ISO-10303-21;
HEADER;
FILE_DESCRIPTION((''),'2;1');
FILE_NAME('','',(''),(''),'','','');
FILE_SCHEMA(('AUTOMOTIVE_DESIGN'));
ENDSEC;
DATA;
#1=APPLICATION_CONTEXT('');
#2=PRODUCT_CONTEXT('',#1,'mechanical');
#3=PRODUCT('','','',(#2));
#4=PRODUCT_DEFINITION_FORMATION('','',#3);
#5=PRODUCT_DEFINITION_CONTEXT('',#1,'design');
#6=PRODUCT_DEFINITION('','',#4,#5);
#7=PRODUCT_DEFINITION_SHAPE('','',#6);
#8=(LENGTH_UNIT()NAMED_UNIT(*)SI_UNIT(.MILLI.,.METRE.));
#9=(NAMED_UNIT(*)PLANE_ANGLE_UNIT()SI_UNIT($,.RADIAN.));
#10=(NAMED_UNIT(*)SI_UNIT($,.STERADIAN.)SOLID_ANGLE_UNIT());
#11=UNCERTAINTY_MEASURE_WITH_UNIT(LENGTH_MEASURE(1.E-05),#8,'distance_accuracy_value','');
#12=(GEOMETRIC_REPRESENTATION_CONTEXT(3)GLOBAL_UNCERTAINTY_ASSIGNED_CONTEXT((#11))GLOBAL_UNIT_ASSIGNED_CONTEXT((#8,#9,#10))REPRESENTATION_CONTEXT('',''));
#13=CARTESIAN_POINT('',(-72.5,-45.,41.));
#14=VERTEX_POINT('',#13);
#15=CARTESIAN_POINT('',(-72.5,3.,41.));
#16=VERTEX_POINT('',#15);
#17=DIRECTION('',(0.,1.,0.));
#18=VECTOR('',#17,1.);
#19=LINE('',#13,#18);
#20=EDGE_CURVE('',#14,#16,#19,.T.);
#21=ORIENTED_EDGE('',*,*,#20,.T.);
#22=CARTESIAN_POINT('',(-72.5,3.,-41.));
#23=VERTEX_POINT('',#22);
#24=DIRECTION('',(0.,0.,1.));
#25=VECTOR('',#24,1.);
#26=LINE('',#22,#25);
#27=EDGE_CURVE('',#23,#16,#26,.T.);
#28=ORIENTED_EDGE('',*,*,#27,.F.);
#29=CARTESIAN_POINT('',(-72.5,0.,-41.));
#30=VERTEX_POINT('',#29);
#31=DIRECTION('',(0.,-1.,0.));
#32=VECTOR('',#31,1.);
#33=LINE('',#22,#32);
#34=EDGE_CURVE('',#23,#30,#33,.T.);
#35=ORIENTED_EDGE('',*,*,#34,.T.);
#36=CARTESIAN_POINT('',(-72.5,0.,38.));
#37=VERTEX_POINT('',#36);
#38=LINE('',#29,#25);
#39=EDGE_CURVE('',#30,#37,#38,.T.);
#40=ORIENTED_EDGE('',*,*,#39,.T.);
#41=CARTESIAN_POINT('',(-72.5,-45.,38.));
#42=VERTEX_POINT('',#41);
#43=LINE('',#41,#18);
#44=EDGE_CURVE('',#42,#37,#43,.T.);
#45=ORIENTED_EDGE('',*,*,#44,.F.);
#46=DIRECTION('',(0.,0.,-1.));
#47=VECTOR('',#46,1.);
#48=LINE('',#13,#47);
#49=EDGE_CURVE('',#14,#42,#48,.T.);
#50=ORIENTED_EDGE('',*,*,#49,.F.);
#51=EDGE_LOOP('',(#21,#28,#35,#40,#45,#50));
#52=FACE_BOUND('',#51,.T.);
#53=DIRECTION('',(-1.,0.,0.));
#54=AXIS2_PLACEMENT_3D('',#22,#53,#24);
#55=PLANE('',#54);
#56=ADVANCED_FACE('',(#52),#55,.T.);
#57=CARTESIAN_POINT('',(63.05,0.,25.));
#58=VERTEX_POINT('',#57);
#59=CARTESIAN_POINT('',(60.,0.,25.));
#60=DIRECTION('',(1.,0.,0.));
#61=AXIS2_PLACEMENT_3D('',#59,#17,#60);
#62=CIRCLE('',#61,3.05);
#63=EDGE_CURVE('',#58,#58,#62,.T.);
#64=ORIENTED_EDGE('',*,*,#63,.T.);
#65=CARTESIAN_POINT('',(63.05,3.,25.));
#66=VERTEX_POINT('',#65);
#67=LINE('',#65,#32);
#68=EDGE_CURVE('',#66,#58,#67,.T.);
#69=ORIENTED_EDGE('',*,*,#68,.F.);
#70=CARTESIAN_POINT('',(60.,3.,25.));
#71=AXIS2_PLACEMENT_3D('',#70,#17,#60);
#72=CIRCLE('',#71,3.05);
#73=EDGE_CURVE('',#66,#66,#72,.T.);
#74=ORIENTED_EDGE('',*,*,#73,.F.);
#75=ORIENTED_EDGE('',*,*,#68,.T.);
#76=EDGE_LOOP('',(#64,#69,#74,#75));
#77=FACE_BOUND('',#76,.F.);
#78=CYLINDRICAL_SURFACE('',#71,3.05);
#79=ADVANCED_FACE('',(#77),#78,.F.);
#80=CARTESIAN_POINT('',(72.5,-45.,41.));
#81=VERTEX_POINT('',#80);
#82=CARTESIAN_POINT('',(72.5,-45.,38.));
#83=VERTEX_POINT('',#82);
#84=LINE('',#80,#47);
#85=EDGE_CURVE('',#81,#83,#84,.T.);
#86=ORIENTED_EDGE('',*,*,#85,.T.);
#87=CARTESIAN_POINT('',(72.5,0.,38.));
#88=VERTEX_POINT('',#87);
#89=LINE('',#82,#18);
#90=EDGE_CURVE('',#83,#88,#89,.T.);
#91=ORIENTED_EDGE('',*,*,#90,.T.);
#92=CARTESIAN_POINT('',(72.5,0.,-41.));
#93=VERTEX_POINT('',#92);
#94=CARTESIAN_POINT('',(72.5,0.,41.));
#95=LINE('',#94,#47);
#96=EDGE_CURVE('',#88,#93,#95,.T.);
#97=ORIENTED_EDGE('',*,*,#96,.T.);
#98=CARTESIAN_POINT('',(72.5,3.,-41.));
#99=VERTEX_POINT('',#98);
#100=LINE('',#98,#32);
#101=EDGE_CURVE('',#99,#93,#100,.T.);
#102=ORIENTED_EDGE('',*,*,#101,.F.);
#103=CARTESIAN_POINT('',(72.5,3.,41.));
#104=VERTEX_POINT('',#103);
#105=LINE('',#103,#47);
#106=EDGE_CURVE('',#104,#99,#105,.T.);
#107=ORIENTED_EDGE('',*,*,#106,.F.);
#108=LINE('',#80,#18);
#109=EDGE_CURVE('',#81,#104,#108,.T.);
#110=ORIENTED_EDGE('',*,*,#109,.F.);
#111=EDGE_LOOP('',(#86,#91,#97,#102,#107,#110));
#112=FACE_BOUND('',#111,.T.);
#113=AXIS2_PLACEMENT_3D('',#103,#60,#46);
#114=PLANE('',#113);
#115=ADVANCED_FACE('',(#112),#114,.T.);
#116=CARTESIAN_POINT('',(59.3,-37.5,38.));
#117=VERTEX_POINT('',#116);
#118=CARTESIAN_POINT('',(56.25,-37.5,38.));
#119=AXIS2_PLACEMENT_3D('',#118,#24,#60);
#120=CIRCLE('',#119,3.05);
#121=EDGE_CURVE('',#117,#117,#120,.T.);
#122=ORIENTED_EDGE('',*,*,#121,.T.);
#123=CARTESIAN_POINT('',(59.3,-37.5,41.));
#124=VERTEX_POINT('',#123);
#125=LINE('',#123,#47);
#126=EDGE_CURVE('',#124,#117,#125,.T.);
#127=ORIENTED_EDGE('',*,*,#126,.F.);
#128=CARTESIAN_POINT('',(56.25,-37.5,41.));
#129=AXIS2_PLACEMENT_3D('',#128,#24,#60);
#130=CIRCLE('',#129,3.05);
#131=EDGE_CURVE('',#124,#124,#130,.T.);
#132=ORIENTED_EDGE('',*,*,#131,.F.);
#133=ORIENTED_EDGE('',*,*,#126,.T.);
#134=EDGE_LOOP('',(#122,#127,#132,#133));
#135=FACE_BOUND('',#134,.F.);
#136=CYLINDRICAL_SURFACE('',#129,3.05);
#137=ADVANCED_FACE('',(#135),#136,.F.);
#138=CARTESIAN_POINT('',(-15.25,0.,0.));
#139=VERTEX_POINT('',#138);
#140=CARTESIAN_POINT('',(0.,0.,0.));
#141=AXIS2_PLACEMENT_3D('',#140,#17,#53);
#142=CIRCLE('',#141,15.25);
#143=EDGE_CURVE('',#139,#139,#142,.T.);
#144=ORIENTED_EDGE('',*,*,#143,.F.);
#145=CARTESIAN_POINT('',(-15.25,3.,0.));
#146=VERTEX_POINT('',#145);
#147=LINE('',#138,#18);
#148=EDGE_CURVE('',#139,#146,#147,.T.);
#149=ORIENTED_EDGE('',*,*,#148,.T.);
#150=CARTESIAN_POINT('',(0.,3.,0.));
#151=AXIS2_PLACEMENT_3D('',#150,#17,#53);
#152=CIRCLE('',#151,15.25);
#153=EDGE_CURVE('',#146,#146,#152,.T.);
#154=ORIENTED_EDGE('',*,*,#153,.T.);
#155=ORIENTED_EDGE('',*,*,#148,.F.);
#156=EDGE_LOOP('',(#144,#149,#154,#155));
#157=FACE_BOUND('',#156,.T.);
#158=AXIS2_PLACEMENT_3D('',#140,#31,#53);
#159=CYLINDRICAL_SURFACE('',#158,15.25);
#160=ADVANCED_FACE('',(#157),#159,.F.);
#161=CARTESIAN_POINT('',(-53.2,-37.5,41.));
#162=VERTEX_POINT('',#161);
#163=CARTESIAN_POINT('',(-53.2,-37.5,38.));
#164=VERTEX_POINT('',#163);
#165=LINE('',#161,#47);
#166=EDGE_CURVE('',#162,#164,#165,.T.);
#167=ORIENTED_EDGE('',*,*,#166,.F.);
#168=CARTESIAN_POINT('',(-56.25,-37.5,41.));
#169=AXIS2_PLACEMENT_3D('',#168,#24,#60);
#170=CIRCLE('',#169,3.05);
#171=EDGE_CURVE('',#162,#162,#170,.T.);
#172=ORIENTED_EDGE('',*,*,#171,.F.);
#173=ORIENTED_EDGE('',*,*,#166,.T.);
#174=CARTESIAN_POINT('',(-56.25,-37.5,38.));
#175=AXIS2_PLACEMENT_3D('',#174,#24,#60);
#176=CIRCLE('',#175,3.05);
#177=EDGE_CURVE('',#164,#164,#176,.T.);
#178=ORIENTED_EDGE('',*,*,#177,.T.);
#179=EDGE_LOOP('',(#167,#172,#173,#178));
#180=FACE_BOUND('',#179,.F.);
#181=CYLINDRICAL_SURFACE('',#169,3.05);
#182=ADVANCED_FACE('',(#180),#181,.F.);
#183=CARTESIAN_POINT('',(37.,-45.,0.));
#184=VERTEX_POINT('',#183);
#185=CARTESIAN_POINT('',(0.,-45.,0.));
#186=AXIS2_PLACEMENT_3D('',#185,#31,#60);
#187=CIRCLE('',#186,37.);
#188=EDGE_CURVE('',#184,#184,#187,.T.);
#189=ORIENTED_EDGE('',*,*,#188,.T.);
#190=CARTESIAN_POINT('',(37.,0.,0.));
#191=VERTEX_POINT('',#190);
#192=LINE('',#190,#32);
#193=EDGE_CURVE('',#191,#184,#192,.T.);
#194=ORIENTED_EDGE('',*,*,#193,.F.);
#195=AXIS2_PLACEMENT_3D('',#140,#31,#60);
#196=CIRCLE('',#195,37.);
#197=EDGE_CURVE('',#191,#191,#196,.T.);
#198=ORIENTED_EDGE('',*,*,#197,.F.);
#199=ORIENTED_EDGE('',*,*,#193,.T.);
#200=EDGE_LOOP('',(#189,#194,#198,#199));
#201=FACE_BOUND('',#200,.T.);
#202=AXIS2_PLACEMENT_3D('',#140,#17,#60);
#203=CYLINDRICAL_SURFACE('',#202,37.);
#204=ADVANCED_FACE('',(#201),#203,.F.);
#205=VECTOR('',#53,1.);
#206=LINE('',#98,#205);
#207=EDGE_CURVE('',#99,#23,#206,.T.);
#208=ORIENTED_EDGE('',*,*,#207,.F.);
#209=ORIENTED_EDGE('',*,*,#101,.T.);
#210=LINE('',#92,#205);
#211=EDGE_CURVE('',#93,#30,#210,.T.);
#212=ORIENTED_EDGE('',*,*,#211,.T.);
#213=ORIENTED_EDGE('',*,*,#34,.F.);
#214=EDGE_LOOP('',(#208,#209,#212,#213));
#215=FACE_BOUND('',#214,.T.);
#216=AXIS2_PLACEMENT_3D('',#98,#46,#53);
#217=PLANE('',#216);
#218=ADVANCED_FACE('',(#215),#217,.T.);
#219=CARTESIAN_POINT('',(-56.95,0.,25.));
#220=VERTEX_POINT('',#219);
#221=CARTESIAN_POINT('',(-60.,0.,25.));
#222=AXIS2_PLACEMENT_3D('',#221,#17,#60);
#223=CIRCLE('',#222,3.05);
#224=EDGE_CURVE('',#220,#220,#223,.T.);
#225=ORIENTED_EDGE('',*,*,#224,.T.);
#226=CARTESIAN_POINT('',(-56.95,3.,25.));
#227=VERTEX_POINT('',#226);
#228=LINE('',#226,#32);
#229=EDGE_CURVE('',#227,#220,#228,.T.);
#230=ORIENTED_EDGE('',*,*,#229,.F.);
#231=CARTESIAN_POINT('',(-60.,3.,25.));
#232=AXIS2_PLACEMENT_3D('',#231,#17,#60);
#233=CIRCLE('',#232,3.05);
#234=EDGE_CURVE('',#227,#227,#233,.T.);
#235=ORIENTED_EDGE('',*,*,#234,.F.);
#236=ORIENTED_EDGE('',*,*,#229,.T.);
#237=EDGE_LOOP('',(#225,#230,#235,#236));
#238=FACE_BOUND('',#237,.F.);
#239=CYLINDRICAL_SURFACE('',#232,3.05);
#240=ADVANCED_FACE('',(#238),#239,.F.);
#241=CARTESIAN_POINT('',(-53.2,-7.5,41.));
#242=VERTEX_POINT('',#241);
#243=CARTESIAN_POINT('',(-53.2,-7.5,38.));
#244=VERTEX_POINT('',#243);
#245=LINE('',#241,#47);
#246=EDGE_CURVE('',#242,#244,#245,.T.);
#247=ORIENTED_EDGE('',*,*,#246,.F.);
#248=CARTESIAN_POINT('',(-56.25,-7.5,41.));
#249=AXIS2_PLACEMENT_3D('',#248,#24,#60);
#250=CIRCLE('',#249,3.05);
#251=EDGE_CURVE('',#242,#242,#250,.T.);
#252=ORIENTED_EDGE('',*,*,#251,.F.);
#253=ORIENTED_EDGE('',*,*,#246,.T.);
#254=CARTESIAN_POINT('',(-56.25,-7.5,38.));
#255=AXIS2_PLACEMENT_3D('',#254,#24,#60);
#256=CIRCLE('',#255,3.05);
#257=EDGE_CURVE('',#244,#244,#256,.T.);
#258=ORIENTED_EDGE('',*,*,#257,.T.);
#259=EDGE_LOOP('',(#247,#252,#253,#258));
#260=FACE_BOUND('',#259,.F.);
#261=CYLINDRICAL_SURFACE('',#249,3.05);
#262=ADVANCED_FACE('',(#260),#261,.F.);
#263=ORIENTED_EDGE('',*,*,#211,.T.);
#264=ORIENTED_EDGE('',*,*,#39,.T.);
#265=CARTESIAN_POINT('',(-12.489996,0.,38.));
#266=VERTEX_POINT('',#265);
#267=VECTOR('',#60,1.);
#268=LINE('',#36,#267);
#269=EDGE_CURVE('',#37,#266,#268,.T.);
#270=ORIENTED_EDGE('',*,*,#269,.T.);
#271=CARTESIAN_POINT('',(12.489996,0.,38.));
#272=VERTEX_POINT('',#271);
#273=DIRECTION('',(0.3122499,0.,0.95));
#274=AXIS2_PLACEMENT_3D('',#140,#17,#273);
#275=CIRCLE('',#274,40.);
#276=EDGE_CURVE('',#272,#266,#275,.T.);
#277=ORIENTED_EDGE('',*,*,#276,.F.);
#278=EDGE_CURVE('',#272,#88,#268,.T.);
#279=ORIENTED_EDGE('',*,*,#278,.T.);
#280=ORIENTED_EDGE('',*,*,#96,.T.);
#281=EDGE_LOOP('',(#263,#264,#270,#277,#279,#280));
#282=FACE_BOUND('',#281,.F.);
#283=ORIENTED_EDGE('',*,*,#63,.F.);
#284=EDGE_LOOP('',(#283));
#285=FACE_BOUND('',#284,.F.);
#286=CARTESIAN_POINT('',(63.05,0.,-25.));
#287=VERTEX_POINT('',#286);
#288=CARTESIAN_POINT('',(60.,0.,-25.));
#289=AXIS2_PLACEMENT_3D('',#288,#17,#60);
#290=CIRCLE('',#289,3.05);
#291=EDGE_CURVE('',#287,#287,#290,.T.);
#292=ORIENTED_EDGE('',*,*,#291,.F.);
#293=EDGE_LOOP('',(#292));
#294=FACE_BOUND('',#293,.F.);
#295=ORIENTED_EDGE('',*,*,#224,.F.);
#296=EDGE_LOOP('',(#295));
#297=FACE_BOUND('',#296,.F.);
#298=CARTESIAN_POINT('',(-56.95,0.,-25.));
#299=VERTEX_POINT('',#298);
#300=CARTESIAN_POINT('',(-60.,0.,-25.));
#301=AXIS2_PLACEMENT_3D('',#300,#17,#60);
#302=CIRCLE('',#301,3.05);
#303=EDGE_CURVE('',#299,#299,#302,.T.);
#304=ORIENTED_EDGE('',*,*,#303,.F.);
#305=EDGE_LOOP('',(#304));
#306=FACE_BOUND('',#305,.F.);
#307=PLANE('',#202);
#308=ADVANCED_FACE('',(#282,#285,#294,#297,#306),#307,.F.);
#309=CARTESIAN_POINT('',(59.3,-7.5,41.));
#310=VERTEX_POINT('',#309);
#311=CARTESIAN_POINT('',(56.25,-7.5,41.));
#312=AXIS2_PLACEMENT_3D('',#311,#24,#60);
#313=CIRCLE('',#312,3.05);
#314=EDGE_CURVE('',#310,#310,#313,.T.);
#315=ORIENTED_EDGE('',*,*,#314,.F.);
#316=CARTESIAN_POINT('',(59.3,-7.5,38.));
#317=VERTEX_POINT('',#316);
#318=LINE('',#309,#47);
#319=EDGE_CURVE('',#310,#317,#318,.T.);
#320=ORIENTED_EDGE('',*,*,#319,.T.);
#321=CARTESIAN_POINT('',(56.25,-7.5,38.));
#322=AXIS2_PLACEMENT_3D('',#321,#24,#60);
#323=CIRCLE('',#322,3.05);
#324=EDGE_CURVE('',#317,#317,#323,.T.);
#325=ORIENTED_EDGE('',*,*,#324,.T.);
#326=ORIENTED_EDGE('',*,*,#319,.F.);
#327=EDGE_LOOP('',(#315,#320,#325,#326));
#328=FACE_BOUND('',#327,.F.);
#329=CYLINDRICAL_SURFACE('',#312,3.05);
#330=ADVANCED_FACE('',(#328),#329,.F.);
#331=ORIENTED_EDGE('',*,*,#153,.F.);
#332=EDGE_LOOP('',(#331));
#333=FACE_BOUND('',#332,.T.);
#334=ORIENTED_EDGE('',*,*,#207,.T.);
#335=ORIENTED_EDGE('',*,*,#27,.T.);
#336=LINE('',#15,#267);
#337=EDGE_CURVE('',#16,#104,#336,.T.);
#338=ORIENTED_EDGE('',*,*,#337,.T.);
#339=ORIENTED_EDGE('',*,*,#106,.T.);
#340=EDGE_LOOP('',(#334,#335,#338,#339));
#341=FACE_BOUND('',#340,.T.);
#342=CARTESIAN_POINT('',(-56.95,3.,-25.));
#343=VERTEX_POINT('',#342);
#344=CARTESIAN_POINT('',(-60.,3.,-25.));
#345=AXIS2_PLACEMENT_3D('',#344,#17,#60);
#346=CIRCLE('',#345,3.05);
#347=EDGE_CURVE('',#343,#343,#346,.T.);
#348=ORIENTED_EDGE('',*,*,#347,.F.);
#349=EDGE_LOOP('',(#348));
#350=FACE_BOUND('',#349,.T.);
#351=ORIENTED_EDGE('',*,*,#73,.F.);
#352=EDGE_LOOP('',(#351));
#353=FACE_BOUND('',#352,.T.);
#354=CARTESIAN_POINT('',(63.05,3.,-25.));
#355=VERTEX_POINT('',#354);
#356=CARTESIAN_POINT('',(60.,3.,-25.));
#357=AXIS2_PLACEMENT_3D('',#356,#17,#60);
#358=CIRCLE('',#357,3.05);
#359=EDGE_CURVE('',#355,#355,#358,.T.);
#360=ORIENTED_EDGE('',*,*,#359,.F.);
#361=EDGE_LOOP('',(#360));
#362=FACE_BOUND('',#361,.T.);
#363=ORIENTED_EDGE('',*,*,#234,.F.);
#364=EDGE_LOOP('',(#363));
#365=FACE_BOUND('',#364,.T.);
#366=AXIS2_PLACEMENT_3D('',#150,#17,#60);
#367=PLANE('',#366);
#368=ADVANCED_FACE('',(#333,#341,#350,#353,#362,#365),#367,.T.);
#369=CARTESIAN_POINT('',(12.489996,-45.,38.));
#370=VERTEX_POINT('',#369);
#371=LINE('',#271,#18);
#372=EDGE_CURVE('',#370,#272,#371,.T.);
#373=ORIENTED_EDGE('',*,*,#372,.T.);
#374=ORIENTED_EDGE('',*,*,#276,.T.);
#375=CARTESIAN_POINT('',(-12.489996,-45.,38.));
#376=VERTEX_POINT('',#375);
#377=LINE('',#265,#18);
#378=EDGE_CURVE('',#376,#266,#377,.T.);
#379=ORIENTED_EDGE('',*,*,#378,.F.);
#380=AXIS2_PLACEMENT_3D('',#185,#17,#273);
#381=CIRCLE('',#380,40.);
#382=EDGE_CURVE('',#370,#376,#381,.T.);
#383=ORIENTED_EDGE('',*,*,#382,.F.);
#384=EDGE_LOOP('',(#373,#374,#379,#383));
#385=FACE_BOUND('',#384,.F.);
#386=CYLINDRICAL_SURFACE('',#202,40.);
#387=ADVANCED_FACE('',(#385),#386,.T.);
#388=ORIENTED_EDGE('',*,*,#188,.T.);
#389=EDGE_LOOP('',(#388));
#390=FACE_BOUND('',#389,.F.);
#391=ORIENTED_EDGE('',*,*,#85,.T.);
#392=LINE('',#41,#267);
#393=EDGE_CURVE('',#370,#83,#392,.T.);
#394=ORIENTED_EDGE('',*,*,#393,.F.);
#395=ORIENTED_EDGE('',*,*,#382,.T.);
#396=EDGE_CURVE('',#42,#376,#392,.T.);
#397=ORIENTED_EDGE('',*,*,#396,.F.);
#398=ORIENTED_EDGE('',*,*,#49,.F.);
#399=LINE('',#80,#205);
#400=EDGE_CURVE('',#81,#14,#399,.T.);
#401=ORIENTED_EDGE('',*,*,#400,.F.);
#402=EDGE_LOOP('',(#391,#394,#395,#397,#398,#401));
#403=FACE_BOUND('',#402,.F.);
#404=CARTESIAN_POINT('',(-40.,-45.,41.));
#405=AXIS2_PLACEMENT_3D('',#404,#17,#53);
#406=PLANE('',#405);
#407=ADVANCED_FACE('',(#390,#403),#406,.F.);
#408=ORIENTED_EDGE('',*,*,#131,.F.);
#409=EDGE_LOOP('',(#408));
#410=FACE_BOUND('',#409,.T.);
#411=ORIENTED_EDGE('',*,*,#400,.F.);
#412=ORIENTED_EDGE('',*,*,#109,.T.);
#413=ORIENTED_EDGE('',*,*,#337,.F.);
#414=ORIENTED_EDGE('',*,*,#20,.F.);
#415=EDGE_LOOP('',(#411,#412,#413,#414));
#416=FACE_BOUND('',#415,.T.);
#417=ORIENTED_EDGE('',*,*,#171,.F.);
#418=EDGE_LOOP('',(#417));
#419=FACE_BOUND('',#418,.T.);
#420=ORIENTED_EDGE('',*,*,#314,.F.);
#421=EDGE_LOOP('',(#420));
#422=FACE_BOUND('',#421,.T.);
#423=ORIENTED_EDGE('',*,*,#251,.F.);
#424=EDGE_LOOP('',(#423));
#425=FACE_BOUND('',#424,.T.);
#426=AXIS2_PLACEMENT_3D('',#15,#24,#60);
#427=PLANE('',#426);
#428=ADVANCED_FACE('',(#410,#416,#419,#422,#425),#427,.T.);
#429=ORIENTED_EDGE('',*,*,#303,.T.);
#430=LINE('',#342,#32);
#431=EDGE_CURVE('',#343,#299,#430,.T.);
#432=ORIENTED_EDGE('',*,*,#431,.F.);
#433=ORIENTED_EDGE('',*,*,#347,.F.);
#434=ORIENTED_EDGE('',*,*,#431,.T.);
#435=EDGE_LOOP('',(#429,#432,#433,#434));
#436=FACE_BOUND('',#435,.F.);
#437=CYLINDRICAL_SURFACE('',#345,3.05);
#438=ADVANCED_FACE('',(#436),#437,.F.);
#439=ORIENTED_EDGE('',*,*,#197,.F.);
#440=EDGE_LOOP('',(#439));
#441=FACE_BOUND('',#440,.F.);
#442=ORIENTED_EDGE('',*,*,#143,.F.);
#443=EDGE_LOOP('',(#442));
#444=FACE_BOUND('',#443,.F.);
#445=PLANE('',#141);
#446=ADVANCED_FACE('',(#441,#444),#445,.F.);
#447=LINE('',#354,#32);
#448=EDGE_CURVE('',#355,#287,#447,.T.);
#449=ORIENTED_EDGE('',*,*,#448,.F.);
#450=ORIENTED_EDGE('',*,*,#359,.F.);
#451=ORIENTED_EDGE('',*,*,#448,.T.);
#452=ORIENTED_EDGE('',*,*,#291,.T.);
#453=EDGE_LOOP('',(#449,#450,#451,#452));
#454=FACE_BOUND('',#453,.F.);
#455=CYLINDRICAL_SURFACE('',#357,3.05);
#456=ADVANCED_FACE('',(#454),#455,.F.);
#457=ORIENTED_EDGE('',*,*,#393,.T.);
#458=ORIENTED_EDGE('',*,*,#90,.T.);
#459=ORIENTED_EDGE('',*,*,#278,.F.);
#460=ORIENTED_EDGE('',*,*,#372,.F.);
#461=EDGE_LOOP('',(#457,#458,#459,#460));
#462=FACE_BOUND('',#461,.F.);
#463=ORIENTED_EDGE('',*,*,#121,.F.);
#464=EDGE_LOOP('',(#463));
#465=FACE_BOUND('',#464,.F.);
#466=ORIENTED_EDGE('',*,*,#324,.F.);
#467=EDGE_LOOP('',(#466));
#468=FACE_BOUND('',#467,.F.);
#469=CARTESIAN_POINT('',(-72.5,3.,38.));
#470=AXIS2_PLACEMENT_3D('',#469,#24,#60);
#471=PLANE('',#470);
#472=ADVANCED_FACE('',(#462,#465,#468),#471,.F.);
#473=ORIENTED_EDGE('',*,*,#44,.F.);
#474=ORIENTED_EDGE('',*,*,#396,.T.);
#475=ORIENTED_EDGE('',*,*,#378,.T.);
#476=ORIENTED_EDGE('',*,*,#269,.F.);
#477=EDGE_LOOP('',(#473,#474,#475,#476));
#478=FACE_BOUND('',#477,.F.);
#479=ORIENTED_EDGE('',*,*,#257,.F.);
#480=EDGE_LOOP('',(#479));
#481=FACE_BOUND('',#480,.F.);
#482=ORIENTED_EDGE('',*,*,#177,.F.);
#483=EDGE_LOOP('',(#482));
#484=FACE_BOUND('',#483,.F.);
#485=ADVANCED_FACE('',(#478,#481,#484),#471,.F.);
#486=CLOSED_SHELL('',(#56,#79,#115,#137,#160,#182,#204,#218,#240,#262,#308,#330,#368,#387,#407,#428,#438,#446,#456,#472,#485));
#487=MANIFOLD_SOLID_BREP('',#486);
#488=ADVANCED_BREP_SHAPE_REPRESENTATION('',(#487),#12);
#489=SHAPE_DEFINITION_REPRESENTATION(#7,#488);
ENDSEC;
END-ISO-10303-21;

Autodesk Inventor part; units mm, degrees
ref_plane "YZ Plane" through (0, 0, 0) normal (1, 0, 0) x (0, 1, 0)
ref_plane "XZ Plane" through (0, 0, 0) normal (0, 1, 0) x (-1, 0, 0)
ref_plane "XY Plane" through (0, 0, 0) normal (0, 0, 1) x (1, 0, 0)
sketch "Sketch1" plane through (0, 0, 0) normal (0, 1, 0) x (-1, 0, 0)
  circle A0 centre (0, 0) radius 15.25
  circle A1 centre (0, 0) radius 32.5 construction
  line L0 (0, 0) -> (0, -32.5) construction
  line L1 (0, 0) -> (-22.981, -22.981) construction
  circle A2 centre (-22.981, -22.981) radius 3.05 construction
  circle A3 centre (22.981, -22.981) radius 3.05 construction
  circle A4 centre (22.981, 22.981) radius 3.05 construction
  circle A5 centre (-22.981, 22.981) radius 3.05 construction
  circle A6 centre (0, 0) radius 40
  circle A7 centre (22.981, -22.981) radius 5 construction
  dimension "d0" = 30.5
  dimension "d1" = 6.1
  dimension "d3" = 45
  dimension "d4" = 65
  dimension "d7" = 360
  dimension "d9" = 80
  dimension "d10" = 10
extrude "Extrusion1" add sketch "Sketch1" along normal blind 3
sketch "Sketch2" plane through (0, 0, 0) normal (0, -1, 0) x (1, 0, 0)
  circle A0 centre (0, 0) radius 40 projected
  circle A1 centre (0, 0) radius 37
  dimension "d13" = 3
extrude "Extrusion2" add sketch "Sketch2" along normal blind 45
sketch "Sketch3" plane through (0, 3, 0) normal (0, 1, 0) x (1, 0, 0)
  line L0 (-72.5, -41) -> (72.5, -41)
  line L1 (72.5, -41) -> (72.5, 41)
  line L2 (72.5, 41) -> (-72.5, 41)
  line L3 (-72.5, 41) -> (-72.5, -41)
  line L4 (-72.5, -41) -> (72.5, 41) construction
  line L5 (72.5, -41) -> (-72.5, 41) construction
  circle A0 centre (0, 0) radius 40 projected
  circle A1 centre (0, 0) radius 15.25 projected
  line L6 (-60, -25) -> (60, -25) construction
  line L7 (60, -25) -> (60, 25) construction
  line L8 (60, 25) -> (-60, 25) construction
  line L9 (-60, 25) -> (-60, -25) construction
  line L10 (-60, -25) -> (60, 25) construction
  line L11 (60, -25) -> (-60, 25) construction
  circle A2 centre (-60, 25) radius 3.05
  circle A3 centre (-60, -25) radius 3.05
  circle A4 centre (60, 25) radius 3.05
  circle A5 centre (60, -25) radius 3.05
  dimension "d16" = 145
  dimension "d17" = 82
  dimension "d18" = 120
  dimension "d19" = 50
  dimension "d20" = 6.1
extrude "Extrusion3" add sketch "Sketch3" against normal blind 3 contours L3 L2 L1 L0
sketch "Sketch4" plane through (-72.5, 3, 41) normal (0, 0, 1) x (1, 0, 0)
  line L0 (32.5, -3) -> (112.5, -3) projected
  line L1 (32.5, -48) -> (112.5, -48) projected
  line L2 (0, 0) -> (145, 0) projected
  line L3 (0, 0) -> (0, -3) projected
  line L4 (145, -3) -> (0, -3) projected
  line L5 (145, 0) -> (145, -3) projected
  line L6 (0, 0) -> (0, -3) projected
  line L7 (32.5, -48) -> (112.5, -48) projected
  line L8 (0, -3) -> (32.5, -3)
  line L9 (32.5, -3) -> (32.5, -48)
  line L10 (32.5, -48) -> (0, -48)
  line L11 (0, -48) -> (0, -3)
  line L12 (112.5, -48) -> (145, -48)
  line L13 (145, -48) -> (145, -3)
  line L14 (145, -3) -> (112.5, -3)
  line L15 (112.5, -3) -> (112.5, -48)
  line L16 (16.25, -48) -> (16.25, -3) construction
  line L17 (145, -3) -> (0, -3) projected
  line L18 (128.75, -48) -> (128.75, -3) construction
  circle A0 centre (16.25, -40.5) radius 3.05
  line L19 (16.25, -40.5) -> (128.75, -40.5) construction
  line L20 (128.75, -40.5) -> (128.75, -10.5) construction
  line L21 (128.75, -10.5) -> (16.25, -10.5) construction
  line L22 (16.25, -10.5) -> (16.25, -40.5) construction
  circle A1 centre (16.25, -10.5) radius 3.05
  circle A2 centre (128.75, -10.5) radius 3.05
  circle A3 centre (128.75, -40.5) radius 3.05
  point P0 (72.5, -3)
  dimension "d23" = 30
  dimension "d24" = 7.5
  dimension "d25" = 6.1
extrude "Extrusion4" add sketch "Sketch4" against normal blind 3 contours L9 L10 L11 L4 | L0 L15 L1 L9 | L4 L13 L12 L15
properties part number "WheelHolder" material "Aluminum 6061-AHC"
